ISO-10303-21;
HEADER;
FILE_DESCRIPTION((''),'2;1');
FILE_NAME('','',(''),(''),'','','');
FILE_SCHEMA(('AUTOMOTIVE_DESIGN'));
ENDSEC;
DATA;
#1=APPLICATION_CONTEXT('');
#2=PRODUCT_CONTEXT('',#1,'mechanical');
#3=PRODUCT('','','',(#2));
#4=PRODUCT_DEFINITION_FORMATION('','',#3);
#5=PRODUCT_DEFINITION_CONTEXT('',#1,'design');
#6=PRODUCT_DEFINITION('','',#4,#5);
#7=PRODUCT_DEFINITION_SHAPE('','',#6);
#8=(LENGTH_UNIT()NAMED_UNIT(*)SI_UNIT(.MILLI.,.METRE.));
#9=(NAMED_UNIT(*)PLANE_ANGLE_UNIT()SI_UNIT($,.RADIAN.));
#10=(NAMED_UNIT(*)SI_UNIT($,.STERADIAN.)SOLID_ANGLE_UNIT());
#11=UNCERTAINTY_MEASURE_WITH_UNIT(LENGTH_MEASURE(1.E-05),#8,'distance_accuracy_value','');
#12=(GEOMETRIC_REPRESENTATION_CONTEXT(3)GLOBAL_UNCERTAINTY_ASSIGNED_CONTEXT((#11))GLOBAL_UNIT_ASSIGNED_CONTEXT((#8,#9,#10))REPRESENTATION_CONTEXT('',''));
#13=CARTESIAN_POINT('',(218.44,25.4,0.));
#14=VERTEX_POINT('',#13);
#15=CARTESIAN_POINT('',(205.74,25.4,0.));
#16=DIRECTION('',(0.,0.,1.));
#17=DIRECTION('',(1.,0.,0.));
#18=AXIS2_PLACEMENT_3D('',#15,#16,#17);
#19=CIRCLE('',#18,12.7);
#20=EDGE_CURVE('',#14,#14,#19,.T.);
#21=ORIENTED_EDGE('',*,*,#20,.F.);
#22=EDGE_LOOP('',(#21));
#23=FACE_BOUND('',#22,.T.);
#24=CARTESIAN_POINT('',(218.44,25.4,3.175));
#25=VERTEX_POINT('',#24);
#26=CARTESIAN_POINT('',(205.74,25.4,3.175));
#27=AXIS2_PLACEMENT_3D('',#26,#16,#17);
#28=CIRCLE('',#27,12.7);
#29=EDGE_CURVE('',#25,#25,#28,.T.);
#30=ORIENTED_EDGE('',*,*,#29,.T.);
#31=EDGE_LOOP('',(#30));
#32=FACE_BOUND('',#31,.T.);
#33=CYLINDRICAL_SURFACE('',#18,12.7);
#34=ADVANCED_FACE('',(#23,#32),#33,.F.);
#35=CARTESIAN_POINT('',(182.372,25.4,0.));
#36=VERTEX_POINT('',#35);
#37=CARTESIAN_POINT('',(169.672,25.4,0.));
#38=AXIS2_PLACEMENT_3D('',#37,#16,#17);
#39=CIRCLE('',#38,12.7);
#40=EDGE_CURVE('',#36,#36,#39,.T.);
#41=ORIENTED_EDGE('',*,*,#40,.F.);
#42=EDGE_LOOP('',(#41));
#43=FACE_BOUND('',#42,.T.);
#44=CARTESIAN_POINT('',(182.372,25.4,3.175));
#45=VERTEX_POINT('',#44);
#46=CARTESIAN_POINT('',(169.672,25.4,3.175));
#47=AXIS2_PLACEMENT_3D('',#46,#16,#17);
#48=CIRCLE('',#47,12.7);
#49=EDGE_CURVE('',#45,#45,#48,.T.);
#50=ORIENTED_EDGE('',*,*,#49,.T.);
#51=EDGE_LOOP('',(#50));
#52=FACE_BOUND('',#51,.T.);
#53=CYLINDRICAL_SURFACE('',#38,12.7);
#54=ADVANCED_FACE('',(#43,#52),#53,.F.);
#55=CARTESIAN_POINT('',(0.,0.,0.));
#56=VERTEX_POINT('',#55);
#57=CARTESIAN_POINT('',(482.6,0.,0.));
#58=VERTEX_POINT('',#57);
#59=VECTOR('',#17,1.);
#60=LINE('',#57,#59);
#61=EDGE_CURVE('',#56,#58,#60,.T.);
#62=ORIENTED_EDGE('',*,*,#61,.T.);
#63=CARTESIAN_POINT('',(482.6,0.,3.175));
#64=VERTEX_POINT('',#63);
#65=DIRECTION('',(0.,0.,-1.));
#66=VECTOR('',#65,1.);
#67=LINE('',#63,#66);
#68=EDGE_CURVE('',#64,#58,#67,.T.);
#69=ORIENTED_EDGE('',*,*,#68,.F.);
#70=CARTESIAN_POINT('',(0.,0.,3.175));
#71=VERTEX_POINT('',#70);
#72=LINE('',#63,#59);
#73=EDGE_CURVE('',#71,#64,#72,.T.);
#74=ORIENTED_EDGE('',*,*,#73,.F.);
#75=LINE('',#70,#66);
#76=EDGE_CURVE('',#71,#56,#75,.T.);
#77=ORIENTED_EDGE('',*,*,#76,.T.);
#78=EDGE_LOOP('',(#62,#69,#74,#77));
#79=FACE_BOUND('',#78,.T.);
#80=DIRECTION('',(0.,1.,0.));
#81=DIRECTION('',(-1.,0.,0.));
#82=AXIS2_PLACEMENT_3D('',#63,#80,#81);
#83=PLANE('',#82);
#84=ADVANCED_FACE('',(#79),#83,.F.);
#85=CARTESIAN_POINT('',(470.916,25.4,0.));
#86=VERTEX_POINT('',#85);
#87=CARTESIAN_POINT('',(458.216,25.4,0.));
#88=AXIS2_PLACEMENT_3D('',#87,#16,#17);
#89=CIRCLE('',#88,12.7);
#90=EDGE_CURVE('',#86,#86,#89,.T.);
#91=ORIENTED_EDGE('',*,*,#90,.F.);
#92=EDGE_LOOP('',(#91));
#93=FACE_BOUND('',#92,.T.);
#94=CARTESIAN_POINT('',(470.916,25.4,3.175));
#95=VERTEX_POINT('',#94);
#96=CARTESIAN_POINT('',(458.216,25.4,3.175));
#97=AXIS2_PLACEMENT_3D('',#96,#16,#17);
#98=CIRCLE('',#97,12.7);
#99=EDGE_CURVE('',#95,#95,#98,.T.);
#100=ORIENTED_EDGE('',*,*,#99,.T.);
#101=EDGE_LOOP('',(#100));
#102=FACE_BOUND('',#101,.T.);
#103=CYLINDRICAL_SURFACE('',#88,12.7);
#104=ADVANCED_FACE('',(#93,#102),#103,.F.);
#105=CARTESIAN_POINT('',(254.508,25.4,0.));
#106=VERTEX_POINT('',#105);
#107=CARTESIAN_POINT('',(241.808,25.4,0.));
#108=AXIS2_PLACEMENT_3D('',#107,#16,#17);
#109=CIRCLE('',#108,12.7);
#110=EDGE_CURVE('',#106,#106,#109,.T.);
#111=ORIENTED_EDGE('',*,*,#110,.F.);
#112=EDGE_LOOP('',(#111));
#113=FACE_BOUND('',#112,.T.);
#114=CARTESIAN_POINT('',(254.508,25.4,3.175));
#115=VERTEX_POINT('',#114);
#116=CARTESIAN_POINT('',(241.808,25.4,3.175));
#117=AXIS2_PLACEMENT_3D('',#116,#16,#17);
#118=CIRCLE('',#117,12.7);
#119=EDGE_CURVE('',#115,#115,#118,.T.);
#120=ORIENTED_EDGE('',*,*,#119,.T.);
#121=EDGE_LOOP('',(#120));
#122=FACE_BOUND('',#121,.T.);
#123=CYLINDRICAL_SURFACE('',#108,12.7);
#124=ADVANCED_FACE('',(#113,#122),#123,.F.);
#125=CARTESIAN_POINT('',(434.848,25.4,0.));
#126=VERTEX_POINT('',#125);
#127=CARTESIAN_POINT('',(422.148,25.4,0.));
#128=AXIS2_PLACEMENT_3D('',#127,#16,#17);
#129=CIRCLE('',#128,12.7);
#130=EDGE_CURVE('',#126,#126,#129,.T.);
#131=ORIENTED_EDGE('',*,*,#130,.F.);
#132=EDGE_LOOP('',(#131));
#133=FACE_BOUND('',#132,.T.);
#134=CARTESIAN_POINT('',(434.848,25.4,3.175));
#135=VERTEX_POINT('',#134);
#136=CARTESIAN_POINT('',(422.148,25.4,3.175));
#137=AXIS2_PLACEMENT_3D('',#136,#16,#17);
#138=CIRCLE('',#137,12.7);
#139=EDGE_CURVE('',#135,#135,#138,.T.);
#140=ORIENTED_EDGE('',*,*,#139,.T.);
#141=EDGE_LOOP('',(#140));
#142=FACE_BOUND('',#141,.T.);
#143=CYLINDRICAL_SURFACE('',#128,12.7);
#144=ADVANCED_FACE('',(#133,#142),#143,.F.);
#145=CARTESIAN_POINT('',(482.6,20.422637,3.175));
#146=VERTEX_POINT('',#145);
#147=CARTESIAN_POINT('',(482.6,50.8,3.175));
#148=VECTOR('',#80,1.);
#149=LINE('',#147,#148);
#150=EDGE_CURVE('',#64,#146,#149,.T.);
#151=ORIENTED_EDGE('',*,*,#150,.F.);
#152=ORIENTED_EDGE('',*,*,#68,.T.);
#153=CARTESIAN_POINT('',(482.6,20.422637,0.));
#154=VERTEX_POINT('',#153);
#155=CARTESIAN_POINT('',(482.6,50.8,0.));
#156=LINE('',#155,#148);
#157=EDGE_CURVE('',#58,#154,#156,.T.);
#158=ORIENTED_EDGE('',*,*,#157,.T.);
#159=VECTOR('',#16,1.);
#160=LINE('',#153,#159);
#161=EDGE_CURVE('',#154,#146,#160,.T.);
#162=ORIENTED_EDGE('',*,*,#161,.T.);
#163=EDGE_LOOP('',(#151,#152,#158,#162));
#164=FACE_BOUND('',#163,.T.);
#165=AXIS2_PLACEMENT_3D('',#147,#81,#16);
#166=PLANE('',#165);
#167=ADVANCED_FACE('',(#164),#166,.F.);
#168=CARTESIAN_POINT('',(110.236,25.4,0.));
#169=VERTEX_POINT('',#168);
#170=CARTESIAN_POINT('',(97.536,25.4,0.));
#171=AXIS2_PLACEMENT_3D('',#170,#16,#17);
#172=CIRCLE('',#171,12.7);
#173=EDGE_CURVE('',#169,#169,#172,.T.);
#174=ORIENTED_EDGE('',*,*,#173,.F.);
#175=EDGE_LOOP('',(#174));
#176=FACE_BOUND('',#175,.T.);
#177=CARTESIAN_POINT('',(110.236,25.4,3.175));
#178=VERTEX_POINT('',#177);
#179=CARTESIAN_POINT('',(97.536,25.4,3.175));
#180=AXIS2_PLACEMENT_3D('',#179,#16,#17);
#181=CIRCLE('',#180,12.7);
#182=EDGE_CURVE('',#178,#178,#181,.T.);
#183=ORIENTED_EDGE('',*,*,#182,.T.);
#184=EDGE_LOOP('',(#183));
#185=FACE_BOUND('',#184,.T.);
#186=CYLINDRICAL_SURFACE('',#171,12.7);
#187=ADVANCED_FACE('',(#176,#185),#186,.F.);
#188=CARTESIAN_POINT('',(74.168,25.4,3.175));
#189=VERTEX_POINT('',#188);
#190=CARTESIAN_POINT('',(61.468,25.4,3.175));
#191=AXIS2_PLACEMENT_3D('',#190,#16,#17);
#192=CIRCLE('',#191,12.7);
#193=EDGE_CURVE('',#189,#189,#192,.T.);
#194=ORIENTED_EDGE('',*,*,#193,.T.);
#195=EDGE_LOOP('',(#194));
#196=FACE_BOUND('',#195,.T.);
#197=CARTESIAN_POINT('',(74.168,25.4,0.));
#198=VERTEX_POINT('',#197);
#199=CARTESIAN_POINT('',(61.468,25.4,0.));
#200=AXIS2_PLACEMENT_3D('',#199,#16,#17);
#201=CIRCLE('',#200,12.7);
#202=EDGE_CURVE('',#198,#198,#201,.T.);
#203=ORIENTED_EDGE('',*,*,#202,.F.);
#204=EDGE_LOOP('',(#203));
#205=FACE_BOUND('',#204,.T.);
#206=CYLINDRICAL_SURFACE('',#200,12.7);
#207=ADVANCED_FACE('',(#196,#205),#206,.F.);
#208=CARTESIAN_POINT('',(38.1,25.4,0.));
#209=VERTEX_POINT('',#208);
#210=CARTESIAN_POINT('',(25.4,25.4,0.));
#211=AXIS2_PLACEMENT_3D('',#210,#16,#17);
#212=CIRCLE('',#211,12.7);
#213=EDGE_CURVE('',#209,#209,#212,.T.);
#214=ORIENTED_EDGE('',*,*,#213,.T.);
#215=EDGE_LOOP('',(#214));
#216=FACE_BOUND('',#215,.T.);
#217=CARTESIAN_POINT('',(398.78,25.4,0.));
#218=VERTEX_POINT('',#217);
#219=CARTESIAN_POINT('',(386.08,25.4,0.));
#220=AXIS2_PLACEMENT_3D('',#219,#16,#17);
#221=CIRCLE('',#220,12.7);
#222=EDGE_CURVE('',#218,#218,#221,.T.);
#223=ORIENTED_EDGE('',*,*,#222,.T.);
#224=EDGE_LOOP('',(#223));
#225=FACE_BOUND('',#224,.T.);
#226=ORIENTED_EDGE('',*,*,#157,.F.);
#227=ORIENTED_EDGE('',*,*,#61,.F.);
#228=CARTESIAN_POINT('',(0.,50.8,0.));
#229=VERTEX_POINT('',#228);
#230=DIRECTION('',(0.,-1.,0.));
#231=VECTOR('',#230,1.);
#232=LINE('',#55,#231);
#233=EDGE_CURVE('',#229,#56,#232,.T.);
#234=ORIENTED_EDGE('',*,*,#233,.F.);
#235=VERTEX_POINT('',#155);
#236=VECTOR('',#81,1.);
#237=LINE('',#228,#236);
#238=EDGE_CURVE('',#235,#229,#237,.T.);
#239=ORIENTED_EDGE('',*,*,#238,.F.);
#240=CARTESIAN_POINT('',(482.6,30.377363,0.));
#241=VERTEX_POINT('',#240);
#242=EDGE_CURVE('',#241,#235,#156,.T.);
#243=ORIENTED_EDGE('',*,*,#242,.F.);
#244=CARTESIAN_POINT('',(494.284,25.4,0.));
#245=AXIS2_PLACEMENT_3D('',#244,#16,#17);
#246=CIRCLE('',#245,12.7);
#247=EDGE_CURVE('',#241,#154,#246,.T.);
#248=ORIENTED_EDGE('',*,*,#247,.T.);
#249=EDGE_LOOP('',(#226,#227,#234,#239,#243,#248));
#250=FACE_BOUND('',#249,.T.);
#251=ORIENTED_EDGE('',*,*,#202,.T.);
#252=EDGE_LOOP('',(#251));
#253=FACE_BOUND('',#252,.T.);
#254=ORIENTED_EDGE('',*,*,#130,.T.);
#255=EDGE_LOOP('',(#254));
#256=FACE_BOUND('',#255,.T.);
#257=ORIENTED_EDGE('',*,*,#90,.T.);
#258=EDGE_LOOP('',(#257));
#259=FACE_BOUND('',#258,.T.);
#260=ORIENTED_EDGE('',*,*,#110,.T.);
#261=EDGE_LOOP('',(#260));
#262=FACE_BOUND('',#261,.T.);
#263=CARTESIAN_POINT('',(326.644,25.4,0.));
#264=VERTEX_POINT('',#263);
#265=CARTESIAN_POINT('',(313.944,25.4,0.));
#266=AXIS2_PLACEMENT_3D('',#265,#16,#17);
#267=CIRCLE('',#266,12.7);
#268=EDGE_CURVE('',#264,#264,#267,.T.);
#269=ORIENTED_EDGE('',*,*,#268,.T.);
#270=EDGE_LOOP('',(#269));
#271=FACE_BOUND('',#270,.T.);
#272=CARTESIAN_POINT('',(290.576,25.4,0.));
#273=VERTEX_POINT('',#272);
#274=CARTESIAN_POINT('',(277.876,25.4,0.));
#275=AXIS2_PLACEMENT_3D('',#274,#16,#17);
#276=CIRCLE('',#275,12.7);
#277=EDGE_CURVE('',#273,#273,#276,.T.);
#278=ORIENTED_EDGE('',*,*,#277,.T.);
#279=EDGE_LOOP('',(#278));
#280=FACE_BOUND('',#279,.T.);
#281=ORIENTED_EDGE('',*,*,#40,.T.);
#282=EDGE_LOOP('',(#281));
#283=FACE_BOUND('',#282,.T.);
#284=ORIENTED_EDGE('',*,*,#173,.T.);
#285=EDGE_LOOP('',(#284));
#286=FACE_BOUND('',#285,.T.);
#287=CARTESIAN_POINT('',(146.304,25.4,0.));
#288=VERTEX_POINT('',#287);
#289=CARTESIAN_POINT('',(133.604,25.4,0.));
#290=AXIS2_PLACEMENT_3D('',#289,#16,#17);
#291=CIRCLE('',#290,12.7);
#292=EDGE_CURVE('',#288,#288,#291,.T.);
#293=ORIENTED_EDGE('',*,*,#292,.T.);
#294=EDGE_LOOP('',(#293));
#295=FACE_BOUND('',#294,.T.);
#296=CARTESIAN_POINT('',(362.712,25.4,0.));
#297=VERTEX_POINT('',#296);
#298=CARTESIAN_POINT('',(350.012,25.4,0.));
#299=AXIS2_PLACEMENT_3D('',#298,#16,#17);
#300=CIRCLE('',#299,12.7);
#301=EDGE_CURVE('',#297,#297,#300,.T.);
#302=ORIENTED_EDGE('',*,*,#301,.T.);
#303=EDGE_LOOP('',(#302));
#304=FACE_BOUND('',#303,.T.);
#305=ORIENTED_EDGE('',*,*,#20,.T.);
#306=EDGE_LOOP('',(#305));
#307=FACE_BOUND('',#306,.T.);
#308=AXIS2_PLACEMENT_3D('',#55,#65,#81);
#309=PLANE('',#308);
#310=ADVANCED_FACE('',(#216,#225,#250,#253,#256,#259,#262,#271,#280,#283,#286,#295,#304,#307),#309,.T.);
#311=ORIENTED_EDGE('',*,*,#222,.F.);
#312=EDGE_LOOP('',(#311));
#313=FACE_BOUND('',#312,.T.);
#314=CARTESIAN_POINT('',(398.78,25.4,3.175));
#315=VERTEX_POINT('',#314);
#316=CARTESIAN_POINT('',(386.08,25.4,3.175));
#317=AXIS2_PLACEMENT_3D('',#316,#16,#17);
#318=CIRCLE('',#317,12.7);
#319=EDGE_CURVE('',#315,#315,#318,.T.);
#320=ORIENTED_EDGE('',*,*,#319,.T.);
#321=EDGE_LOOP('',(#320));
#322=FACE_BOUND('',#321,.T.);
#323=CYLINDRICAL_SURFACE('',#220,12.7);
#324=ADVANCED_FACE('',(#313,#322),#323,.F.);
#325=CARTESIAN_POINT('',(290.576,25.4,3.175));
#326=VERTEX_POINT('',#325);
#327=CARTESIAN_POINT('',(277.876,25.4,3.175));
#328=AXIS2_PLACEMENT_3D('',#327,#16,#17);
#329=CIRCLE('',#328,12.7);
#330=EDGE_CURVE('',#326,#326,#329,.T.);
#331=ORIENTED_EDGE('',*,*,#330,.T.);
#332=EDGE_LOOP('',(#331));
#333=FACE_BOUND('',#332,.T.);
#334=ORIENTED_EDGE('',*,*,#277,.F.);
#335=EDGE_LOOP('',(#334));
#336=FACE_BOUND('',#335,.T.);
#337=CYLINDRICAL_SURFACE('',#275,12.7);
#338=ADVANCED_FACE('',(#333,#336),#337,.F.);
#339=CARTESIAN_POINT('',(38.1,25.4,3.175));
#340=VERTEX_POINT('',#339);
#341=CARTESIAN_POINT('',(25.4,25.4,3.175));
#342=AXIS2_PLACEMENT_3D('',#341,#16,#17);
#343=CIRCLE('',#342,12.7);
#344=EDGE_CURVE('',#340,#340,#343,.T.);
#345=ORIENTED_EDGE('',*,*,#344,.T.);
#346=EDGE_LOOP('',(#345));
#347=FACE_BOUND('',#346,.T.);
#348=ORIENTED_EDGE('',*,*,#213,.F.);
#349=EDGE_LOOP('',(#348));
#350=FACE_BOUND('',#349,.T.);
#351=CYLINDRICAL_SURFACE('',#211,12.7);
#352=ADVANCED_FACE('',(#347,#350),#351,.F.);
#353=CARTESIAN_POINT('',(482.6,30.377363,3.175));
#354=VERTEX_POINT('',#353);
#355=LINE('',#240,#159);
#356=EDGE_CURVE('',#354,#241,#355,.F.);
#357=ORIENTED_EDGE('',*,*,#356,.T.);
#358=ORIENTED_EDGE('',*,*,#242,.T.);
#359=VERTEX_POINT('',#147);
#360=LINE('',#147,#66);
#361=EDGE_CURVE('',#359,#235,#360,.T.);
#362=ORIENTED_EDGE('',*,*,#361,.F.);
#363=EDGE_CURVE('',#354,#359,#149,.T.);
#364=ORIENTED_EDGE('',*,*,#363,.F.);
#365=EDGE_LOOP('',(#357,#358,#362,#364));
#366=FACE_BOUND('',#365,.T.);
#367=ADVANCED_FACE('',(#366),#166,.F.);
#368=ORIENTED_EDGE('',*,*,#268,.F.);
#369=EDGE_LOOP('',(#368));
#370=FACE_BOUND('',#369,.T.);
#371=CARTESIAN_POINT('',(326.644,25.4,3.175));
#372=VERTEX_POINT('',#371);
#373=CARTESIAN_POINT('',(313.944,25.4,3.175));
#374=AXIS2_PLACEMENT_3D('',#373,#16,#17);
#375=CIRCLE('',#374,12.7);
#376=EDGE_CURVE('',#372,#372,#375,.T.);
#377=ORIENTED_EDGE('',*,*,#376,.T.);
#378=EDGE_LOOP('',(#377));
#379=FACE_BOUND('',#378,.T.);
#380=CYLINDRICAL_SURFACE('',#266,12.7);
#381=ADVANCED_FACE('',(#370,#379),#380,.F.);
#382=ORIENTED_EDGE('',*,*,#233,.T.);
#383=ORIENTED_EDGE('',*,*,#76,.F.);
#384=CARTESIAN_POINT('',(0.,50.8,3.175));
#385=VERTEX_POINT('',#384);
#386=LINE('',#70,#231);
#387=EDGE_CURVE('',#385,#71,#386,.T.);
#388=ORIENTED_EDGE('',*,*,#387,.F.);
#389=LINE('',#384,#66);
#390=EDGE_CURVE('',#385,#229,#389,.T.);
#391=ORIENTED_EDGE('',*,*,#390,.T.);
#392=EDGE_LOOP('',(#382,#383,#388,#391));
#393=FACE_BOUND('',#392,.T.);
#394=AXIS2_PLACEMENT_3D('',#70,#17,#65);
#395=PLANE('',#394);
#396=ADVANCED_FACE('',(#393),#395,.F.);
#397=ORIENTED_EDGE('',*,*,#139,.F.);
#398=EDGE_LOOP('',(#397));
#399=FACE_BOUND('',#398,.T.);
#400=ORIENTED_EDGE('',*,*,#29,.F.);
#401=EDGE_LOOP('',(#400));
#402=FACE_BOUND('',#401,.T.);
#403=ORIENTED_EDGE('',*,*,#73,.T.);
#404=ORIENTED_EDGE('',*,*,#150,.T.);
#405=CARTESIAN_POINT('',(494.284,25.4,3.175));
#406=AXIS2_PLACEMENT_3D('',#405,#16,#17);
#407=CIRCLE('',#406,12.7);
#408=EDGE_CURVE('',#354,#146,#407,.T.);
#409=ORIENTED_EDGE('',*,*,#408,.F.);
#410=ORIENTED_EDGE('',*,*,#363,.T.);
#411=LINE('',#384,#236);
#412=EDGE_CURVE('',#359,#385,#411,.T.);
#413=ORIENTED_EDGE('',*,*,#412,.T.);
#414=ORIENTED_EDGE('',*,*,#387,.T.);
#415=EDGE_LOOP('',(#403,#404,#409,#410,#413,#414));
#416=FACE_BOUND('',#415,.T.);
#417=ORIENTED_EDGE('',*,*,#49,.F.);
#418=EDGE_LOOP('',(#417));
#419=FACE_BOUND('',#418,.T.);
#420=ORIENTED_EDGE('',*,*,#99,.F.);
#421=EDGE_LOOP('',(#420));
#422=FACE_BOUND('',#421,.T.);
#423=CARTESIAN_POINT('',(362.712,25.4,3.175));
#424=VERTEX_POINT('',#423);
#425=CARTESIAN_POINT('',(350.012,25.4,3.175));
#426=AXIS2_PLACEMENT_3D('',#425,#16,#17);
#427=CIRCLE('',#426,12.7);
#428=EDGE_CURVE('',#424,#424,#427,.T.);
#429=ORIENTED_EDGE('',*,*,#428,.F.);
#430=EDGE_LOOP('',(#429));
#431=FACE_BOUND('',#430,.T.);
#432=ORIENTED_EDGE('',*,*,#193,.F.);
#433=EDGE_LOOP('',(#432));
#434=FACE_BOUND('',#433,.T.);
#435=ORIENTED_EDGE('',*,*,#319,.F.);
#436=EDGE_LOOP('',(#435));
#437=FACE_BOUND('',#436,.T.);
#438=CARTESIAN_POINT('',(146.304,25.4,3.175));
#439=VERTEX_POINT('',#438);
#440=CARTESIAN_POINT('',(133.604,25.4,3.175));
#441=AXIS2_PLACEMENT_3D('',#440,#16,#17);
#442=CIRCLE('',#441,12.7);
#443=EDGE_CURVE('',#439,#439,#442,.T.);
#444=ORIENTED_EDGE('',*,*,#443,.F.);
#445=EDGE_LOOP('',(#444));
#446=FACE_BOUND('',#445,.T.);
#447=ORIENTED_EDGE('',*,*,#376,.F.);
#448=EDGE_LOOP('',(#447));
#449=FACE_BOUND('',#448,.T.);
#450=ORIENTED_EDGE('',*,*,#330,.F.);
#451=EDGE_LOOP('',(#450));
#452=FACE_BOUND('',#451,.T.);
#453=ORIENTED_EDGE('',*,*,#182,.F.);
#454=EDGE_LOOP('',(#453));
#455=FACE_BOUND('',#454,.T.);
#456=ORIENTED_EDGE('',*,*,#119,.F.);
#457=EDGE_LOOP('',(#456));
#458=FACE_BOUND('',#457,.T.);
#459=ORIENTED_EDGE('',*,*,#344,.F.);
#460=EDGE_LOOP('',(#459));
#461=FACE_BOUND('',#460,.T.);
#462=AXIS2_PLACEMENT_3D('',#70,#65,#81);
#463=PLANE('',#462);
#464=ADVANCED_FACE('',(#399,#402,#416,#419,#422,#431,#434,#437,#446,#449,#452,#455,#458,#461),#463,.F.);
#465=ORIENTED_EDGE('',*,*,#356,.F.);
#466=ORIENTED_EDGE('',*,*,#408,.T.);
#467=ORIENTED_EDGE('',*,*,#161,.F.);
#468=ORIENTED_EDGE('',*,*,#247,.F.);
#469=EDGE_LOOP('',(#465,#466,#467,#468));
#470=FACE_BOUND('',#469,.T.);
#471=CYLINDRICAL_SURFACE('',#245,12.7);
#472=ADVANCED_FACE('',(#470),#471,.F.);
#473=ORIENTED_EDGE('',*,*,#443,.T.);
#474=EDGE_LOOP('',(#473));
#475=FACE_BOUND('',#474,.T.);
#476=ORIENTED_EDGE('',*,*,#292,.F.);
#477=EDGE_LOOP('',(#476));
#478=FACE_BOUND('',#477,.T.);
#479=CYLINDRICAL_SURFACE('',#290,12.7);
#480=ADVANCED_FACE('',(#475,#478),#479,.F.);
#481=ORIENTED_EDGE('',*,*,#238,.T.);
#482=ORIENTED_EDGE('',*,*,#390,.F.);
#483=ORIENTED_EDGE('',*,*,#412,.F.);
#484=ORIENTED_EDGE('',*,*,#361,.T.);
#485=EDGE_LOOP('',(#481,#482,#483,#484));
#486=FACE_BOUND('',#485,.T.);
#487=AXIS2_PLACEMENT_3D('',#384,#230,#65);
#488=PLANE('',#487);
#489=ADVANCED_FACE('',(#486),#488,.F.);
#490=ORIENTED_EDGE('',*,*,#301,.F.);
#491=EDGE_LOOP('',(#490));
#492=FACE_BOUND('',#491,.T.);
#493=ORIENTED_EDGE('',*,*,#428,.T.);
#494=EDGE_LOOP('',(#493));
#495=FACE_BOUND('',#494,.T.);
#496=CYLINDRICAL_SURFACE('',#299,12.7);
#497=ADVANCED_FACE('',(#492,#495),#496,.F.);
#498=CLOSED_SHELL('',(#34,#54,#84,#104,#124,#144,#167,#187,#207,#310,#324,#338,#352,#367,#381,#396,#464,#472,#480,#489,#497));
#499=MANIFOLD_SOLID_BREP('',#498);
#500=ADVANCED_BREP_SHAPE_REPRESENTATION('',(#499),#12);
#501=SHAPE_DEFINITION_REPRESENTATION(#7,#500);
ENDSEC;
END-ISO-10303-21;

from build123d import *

# Parameters (mm, degrees)
SKETCH1_W           = 482.6
SKETCH1_H           = 50.8
BOSS_EXTRUDE1_DEPTH = 3.175
SKETCH2_R           = 12.7
CUT_EXTRUDE1_DEPTH  = 486.276705216
LPATTERN1_COUNT     = 15
LPATTERN1_PITCH     = 36.068


with BuildPart() as part:
    # Sketch1 → Boss-Extrude1 (new body)
    with BuildSketch(Plane.XY):
        with Locations((241.3, 25.4)):
            Rectangle(SKETCH1_W, SKETCH1_H)
    extrude(amount=BOSS_EXTRUDE1_DEPTH)

    # Sketch2 → Cut-Extrude1 (cut, through all)
    with BuildSketch(Plane.XY.offset(3.175)):
        with Locations((25.4, 25.4)):
            Circle(SKETCH2_R)
    cut_extrude1 = extrude(amount=-CUT_EXTRUDE1_DEPTH, mode=Mode.SUBTRACT)

    # LPattern1: Cut-Extrude1 ×15
    with Locations(*[(i * LPATTERN1_PITCH, 0, 0) for i in range(1, LPATTERN1_COUNT)]):
        add(cut_extrude1, mode=Mode.SUBTRACT)


solid = part.part
